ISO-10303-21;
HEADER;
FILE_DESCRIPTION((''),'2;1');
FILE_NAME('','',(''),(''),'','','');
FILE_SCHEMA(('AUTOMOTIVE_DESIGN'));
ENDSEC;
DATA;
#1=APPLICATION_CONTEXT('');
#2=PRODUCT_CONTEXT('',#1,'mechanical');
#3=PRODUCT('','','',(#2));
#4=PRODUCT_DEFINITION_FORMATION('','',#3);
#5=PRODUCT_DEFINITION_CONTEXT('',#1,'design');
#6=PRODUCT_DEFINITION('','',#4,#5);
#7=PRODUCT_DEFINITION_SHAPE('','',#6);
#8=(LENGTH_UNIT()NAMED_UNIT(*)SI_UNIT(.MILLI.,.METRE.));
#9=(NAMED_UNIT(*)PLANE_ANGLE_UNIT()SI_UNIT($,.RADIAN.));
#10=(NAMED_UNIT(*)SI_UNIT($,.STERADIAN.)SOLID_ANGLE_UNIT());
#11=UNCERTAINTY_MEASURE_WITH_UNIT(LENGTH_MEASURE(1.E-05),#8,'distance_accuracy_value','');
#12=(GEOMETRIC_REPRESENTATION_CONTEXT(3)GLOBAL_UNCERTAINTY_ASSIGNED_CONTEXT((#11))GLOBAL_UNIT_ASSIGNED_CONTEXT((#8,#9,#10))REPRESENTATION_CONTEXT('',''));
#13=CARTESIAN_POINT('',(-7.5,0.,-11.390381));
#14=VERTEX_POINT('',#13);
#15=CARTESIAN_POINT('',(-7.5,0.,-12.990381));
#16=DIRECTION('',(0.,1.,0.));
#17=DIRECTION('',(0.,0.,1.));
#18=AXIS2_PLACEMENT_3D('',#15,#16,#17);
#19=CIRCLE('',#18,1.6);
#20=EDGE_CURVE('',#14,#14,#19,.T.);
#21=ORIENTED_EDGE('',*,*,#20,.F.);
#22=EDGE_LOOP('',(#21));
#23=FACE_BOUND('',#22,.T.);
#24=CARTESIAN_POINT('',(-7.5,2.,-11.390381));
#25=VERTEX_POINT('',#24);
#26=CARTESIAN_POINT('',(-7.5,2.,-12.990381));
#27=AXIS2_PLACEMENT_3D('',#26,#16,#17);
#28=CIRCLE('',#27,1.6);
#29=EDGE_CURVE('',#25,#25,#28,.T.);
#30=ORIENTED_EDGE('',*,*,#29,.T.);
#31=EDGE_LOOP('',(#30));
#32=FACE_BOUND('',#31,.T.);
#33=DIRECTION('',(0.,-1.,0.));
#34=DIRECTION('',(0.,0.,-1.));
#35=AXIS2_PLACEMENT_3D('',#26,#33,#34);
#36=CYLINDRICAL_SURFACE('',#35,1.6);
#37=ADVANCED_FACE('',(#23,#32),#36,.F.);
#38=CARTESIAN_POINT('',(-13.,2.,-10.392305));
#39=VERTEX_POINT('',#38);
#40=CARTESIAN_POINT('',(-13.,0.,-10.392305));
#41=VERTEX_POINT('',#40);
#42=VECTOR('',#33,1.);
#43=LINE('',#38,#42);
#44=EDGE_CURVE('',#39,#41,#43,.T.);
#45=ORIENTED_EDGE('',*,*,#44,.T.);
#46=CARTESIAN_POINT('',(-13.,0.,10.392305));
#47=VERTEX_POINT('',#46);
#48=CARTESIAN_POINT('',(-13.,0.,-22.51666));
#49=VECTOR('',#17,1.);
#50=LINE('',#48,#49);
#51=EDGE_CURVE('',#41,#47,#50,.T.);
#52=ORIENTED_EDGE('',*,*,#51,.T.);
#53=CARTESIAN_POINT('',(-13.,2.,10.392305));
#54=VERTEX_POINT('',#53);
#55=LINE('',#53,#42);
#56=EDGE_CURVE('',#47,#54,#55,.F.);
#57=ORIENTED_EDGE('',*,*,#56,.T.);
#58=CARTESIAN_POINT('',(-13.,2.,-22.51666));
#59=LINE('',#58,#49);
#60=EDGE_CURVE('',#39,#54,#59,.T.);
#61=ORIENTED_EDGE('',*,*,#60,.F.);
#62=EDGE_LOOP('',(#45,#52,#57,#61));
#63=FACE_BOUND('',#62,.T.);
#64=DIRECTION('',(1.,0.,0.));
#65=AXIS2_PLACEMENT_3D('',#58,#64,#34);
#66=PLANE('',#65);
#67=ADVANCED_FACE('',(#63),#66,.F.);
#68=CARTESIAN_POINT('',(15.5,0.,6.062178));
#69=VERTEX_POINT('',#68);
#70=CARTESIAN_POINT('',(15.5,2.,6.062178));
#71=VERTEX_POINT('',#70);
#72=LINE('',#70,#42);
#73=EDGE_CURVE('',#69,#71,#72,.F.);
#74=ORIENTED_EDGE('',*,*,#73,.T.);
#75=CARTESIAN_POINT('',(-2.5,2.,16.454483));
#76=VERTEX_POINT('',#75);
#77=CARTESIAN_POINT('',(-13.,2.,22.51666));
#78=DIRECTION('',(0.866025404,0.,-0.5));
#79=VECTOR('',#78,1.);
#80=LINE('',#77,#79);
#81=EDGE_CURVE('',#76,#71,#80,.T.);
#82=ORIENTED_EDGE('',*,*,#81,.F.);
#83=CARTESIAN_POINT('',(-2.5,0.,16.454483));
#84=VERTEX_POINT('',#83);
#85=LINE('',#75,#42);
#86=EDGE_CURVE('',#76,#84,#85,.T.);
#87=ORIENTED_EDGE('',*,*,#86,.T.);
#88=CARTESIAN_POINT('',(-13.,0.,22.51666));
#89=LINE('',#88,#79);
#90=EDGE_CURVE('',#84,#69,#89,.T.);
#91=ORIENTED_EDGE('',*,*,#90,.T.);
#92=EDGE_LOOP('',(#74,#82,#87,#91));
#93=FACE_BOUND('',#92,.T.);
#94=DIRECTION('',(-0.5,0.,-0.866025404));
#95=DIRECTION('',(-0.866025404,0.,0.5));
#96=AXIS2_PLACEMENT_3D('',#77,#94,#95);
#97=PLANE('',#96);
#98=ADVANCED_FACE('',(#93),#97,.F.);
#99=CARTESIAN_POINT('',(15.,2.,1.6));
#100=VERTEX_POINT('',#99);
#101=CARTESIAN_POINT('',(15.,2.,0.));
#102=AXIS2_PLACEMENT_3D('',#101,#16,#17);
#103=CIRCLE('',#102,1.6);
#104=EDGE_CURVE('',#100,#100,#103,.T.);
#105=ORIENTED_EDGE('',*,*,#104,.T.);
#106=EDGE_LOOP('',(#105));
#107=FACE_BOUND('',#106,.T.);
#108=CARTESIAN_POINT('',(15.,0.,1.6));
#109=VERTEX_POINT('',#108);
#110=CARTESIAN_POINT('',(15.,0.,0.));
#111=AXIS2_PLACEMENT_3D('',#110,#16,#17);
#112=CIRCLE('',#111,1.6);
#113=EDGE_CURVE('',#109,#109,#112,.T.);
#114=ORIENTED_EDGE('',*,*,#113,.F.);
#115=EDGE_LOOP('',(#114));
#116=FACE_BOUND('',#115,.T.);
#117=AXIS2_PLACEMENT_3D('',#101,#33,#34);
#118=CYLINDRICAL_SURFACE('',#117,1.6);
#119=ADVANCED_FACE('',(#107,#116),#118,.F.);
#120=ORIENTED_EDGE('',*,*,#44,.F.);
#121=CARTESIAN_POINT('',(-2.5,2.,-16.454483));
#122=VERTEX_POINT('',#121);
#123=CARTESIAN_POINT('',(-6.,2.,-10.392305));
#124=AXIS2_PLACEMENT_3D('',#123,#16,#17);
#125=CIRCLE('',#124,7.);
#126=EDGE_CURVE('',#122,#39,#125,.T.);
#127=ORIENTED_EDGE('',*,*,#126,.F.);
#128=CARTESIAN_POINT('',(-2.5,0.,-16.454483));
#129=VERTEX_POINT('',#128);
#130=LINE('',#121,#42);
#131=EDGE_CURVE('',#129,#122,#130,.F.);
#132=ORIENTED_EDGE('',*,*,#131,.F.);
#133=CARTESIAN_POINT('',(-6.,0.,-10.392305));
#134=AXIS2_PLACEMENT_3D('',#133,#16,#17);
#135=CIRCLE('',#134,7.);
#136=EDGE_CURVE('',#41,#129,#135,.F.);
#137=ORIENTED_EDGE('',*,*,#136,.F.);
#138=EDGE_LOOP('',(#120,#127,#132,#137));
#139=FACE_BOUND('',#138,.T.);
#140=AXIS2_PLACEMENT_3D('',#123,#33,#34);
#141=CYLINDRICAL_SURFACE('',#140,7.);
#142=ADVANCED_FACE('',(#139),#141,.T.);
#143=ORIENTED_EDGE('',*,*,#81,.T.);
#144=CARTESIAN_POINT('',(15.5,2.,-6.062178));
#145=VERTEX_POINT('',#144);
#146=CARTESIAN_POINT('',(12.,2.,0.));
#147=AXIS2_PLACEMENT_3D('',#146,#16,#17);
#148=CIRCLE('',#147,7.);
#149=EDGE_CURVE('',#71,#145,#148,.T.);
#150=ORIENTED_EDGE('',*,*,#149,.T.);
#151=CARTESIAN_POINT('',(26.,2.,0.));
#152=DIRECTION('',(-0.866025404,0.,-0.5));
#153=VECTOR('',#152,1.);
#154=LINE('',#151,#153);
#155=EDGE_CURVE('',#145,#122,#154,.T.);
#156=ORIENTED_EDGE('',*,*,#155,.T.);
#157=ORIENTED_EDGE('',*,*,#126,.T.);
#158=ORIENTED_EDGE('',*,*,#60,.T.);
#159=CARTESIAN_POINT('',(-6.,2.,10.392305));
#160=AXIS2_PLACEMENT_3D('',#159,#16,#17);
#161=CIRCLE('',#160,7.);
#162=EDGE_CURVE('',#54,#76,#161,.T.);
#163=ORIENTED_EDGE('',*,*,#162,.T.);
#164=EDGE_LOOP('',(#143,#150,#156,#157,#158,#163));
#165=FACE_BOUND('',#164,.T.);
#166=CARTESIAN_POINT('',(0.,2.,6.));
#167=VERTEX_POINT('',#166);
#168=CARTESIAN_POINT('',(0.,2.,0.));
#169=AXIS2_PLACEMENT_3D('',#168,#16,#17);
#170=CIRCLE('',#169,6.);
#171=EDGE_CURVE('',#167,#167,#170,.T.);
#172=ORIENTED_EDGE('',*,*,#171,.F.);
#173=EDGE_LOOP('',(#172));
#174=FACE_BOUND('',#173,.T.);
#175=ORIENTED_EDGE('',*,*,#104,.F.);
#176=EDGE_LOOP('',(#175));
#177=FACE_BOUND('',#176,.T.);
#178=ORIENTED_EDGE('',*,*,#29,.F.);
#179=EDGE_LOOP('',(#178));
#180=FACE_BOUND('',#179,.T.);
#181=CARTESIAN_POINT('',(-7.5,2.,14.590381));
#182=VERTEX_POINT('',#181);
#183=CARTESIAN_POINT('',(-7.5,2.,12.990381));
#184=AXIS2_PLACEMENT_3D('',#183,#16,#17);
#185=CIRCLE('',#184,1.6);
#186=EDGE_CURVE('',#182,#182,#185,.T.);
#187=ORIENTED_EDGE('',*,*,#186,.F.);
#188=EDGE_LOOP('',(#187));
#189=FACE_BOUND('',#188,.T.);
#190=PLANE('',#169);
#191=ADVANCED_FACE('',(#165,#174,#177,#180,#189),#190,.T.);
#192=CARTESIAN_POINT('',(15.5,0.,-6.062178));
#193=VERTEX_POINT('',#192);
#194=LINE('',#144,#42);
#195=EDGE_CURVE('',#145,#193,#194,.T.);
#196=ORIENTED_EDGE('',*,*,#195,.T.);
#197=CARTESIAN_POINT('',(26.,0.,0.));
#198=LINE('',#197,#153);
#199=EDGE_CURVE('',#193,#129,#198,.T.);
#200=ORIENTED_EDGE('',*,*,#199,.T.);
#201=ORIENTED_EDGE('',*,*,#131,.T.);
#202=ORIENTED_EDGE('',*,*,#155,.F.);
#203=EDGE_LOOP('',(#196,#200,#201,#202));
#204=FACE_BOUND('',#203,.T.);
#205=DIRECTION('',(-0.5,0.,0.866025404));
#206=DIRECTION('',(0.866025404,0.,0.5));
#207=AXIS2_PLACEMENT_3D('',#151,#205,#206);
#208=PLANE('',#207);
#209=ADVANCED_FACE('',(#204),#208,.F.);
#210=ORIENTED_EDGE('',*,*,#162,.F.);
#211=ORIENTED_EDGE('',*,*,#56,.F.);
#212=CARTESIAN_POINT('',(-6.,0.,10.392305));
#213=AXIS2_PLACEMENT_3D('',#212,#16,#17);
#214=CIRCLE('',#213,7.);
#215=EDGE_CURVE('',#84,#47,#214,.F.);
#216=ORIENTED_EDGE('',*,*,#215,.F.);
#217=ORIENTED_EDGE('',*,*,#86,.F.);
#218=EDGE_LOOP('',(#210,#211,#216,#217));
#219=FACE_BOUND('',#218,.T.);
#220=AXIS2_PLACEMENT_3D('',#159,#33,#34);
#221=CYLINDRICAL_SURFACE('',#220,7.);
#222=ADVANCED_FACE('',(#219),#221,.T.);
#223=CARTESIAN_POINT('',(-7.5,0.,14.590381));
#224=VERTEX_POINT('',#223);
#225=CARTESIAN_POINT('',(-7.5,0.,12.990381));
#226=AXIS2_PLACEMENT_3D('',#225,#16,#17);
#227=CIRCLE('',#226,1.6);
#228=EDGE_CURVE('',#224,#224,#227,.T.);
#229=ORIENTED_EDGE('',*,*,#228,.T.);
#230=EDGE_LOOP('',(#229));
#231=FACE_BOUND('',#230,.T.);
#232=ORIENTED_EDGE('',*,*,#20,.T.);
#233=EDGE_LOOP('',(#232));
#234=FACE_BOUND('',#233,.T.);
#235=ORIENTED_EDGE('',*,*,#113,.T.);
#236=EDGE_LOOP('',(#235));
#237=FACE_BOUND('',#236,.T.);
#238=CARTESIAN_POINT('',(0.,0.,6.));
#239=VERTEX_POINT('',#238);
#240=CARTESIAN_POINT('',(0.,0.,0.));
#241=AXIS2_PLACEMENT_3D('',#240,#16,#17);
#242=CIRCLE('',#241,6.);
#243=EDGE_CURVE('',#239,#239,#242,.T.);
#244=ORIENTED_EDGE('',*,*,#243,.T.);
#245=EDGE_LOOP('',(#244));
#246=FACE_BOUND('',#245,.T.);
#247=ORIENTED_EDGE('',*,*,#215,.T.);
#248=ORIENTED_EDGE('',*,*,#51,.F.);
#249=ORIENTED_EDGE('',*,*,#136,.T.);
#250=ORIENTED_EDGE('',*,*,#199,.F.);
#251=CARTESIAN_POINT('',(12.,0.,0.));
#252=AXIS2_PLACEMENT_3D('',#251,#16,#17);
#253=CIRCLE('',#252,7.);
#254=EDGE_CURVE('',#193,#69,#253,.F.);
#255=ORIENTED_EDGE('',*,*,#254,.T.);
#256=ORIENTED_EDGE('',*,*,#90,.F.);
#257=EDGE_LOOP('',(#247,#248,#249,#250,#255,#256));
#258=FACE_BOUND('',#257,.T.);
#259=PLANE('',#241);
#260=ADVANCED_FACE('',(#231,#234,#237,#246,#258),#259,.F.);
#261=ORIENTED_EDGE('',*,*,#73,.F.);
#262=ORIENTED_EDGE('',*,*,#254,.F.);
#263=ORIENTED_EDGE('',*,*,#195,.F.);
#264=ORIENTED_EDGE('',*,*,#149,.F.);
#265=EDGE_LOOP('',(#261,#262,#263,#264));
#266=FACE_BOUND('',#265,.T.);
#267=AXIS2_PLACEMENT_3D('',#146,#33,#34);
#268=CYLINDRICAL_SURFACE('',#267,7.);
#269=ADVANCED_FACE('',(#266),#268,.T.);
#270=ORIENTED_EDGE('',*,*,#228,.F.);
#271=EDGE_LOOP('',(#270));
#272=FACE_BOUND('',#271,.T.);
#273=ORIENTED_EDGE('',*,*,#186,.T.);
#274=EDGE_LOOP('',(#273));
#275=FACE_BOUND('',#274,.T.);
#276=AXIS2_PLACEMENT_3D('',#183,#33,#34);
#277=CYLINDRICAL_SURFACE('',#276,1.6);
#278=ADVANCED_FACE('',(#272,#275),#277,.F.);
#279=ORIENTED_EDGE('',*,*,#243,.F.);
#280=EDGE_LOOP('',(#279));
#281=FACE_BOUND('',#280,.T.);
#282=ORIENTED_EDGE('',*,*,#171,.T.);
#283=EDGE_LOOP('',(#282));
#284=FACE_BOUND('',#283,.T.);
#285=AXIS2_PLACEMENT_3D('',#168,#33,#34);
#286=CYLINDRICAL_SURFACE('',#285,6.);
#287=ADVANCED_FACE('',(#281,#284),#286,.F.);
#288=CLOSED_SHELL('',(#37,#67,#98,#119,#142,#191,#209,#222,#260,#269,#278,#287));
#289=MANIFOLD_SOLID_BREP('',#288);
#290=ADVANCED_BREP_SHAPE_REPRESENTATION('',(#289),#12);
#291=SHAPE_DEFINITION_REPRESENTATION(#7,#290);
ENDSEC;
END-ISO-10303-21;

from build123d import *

# Parameters (mm, degrees)
SKETCH1_R           = 1.6
SKETCH1_R_2         = 6
BOSS_EXTRUDE1_DEPTH = 2
FILLET1_R           = 7


with BuildPart() as part:
    # Sketch1 → Boss-Extrude1 (new body)
    with BuildSketch(Plane(origin=(0, 0, 0), x_dir=(1, 0, 0), z_dir=(0, 1, 0))):
        Polygon((26, 0), (-13, 22.516660498), (-13, -22.516660498), align=None)
        with Locations((-7.5, 12.990381057)):
            Circle(SKETCH1_R, mode=Mode.SUBTRACT)
        with Locations((15, 0)):
            Circle(SKETCH1_R, mode=Mode.SUBTRACT)
        with Locations((-7.5, -12.990381057)):
            Circle(SKETCH1_R, mode=Mode.SUBTRACT)
        Circle(SKETCH1_R_2, mode=Mode.SUBTRACT)
    extrude(amount=BOSS_EXTRUDE1_DEPTH)

    # Fillet1
    fillet1_edges = [part.edges().sort_by_distance(p)[0] for p in [
        (-13, 1, 22.516660498),
        (-13, 1, -22.516660498),
        (26, 1, 0),
    ]]
    fillet(fillet1_edges, radius=FILLET1_R)


solid = part.part
